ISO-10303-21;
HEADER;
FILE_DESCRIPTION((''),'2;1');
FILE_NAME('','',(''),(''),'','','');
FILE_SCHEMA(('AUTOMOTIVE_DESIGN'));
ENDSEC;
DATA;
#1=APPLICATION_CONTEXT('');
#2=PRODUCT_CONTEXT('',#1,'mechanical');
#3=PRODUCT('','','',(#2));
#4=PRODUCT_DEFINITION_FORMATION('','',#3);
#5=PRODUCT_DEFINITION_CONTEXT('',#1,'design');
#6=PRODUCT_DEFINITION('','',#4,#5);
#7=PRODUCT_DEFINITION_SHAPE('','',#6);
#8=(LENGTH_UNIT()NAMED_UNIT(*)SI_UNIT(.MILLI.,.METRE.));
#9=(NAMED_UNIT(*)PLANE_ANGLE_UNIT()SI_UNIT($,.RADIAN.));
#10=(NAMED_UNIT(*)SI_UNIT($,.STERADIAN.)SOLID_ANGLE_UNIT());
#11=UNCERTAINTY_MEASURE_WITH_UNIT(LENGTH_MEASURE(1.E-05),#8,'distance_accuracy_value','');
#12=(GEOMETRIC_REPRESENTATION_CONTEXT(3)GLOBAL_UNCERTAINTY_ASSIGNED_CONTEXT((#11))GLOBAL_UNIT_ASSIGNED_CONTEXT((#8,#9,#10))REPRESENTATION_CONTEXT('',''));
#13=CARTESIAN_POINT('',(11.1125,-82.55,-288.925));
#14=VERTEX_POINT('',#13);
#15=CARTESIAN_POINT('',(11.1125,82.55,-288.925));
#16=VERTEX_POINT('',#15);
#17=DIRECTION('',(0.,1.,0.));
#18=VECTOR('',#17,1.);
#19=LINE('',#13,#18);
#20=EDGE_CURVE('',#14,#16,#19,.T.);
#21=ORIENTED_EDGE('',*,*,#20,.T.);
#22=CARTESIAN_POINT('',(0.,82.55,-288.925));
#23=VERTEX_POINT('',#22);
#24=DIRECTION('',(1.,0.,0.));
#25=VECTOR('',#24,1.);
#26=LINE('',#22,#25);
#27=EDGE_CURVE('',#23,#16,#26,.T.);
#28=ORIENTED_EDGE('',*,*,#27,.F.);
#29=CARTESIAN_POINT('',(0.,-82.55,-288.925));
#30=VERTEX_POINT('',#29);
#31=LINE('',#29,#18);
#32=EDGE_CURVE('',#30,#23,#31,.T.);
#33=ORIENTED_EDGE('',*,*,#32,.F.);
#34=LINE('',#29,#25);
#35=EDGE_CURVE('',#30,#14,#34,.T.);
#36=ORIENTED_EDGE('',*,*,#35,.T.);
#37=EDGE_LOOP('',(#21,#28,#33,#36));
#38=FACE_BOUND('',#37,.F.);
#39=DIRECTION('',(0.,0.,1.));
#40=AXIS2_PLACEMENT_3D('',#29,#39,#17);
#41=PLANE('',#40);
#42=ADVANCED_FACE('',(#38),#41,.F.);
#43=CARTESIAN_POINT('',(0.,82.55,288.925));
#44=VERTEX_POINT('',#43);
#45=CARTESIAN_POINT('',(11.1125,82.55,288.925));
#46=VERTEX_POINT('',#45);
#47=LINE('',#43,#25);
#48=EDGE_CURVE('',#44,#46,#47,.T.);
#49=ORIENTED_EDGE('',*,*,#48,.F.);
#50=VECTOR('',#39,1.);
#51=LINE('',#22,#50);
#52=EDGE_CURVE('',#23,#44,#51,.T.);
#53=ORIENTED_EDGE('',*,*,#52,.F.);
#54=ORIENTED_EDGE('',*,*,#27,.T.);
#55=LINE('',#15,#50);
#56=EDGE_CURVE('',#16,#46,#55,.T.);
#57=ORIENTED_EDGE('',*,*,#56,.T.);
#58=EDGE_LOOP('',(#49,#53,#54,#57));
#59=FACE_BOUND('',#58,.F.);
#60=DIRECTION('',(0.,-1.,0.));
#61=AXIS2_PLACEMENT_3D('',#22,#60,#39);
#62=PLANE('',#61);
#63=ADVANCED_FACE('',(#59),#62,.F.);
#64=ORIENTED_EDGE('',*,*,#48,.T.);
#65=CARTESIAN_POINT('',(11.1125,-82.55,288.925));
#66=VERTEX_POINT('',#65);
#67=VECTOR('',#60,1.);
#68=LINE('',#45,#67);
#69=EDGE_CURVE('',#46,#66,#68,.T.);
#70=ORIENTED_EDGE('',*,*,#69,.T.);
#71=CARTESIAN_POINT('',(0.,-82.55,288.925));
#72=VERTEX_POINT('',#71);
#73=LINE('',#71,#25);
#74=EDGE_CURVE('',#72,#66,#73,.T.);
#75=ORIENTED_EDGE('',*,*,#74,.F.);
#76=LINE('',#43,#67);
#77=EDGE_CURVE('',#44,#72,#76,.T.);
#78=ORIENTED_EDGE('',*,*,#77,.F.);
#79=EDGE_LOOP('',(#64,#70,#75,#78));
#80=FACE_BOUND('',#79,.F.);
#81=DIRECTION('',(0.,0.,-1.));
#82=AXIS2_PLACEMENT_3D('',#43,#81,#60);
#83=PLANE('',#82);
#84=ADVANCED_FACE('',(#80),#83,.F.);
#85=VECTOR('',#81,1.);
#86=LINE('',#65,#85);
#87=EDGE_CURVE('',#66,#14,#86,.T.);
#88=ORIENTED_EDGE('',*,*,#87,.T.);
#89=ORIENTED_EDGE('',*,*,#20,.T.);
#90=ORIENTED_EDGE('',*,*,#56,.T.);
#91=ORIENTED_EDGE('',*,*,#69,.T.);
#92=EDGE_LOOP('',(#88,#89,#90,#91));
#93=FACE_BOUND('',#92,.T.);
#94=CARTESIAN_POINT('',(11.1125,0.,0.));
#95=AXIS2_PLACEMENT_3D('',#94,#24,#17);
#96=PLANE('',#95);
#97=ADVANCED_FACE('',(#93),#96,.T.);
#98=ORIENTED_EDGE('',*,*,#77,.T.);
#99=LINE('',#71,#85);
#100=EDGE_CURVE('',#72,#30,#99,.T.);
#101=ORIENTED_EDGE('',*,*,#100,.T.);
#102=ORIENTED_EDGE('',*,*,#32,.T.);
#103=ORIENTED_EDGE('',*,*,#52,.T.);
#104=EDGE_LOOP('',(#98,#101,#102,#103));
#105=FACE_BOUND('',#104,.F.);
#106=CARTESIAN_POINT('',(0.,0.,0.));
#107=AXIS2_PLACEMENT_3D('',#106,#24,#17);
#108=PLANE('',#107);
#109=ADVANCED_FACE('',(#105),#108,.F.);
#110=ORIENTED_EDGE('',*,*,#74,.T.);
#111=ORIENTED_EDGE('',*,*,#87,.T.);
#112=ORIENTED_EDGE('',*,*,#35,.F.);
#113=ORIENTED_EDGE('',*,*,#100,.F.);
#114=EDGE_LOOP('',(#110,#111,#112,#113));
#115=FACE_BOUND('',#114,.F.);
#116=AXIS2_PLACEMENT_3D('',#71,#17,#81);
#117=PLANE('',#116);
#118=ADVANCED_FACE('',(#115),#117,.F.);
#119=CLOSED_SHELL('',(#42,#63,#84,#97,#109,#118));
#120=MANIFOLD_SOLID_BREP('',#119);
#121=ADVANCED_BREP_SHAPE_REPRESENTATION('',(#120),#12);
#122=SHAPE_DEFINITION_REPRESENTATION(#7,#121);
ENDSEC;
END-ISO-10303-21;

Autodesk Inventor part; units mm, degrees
ref_plane "YZ Plane" through (0, 0, 0) normal (1, 0, 0) x (0, 1, 0)
ref_plane "XZ Plane" through (0, 0, 0) normal (0, 1, 0) x (-1, 0, 0)
ref_plane "XY Plane" through (0, 0, 0) normal (0, 0, 1) x (1, 0, 0)
sketch "Sketch1" plane through (0, 0, 0) normal (1, 0, 0) x (0, 1, 0)
  line L0 (-82.55, 288.925) -> (-82.55, -288.925)
  line L1 (-82.55, -288.925) -> (82.55, -288.925)
  line L2 (82.55, -288.925) -> (82.55, 288.925)
  line L3 (82.55, 288.925) -> (-82.55, 288.925)
  line L4 (-82.55, 288.925) -> (82.55, -288.925) construction
  line L5 (-82.55, -288.925) -> (82.55, 288.925) construction
  point P0 (0, 0)
  dimension "d0" = 577.85
  dimension "d1" = 165.1
extrude "Extrusion1" add sketch "Sketch1" along normal blind 11.1125
properties part number "Home Depot Composite Slat 22_75 in" material "Wood (Cherry)"
